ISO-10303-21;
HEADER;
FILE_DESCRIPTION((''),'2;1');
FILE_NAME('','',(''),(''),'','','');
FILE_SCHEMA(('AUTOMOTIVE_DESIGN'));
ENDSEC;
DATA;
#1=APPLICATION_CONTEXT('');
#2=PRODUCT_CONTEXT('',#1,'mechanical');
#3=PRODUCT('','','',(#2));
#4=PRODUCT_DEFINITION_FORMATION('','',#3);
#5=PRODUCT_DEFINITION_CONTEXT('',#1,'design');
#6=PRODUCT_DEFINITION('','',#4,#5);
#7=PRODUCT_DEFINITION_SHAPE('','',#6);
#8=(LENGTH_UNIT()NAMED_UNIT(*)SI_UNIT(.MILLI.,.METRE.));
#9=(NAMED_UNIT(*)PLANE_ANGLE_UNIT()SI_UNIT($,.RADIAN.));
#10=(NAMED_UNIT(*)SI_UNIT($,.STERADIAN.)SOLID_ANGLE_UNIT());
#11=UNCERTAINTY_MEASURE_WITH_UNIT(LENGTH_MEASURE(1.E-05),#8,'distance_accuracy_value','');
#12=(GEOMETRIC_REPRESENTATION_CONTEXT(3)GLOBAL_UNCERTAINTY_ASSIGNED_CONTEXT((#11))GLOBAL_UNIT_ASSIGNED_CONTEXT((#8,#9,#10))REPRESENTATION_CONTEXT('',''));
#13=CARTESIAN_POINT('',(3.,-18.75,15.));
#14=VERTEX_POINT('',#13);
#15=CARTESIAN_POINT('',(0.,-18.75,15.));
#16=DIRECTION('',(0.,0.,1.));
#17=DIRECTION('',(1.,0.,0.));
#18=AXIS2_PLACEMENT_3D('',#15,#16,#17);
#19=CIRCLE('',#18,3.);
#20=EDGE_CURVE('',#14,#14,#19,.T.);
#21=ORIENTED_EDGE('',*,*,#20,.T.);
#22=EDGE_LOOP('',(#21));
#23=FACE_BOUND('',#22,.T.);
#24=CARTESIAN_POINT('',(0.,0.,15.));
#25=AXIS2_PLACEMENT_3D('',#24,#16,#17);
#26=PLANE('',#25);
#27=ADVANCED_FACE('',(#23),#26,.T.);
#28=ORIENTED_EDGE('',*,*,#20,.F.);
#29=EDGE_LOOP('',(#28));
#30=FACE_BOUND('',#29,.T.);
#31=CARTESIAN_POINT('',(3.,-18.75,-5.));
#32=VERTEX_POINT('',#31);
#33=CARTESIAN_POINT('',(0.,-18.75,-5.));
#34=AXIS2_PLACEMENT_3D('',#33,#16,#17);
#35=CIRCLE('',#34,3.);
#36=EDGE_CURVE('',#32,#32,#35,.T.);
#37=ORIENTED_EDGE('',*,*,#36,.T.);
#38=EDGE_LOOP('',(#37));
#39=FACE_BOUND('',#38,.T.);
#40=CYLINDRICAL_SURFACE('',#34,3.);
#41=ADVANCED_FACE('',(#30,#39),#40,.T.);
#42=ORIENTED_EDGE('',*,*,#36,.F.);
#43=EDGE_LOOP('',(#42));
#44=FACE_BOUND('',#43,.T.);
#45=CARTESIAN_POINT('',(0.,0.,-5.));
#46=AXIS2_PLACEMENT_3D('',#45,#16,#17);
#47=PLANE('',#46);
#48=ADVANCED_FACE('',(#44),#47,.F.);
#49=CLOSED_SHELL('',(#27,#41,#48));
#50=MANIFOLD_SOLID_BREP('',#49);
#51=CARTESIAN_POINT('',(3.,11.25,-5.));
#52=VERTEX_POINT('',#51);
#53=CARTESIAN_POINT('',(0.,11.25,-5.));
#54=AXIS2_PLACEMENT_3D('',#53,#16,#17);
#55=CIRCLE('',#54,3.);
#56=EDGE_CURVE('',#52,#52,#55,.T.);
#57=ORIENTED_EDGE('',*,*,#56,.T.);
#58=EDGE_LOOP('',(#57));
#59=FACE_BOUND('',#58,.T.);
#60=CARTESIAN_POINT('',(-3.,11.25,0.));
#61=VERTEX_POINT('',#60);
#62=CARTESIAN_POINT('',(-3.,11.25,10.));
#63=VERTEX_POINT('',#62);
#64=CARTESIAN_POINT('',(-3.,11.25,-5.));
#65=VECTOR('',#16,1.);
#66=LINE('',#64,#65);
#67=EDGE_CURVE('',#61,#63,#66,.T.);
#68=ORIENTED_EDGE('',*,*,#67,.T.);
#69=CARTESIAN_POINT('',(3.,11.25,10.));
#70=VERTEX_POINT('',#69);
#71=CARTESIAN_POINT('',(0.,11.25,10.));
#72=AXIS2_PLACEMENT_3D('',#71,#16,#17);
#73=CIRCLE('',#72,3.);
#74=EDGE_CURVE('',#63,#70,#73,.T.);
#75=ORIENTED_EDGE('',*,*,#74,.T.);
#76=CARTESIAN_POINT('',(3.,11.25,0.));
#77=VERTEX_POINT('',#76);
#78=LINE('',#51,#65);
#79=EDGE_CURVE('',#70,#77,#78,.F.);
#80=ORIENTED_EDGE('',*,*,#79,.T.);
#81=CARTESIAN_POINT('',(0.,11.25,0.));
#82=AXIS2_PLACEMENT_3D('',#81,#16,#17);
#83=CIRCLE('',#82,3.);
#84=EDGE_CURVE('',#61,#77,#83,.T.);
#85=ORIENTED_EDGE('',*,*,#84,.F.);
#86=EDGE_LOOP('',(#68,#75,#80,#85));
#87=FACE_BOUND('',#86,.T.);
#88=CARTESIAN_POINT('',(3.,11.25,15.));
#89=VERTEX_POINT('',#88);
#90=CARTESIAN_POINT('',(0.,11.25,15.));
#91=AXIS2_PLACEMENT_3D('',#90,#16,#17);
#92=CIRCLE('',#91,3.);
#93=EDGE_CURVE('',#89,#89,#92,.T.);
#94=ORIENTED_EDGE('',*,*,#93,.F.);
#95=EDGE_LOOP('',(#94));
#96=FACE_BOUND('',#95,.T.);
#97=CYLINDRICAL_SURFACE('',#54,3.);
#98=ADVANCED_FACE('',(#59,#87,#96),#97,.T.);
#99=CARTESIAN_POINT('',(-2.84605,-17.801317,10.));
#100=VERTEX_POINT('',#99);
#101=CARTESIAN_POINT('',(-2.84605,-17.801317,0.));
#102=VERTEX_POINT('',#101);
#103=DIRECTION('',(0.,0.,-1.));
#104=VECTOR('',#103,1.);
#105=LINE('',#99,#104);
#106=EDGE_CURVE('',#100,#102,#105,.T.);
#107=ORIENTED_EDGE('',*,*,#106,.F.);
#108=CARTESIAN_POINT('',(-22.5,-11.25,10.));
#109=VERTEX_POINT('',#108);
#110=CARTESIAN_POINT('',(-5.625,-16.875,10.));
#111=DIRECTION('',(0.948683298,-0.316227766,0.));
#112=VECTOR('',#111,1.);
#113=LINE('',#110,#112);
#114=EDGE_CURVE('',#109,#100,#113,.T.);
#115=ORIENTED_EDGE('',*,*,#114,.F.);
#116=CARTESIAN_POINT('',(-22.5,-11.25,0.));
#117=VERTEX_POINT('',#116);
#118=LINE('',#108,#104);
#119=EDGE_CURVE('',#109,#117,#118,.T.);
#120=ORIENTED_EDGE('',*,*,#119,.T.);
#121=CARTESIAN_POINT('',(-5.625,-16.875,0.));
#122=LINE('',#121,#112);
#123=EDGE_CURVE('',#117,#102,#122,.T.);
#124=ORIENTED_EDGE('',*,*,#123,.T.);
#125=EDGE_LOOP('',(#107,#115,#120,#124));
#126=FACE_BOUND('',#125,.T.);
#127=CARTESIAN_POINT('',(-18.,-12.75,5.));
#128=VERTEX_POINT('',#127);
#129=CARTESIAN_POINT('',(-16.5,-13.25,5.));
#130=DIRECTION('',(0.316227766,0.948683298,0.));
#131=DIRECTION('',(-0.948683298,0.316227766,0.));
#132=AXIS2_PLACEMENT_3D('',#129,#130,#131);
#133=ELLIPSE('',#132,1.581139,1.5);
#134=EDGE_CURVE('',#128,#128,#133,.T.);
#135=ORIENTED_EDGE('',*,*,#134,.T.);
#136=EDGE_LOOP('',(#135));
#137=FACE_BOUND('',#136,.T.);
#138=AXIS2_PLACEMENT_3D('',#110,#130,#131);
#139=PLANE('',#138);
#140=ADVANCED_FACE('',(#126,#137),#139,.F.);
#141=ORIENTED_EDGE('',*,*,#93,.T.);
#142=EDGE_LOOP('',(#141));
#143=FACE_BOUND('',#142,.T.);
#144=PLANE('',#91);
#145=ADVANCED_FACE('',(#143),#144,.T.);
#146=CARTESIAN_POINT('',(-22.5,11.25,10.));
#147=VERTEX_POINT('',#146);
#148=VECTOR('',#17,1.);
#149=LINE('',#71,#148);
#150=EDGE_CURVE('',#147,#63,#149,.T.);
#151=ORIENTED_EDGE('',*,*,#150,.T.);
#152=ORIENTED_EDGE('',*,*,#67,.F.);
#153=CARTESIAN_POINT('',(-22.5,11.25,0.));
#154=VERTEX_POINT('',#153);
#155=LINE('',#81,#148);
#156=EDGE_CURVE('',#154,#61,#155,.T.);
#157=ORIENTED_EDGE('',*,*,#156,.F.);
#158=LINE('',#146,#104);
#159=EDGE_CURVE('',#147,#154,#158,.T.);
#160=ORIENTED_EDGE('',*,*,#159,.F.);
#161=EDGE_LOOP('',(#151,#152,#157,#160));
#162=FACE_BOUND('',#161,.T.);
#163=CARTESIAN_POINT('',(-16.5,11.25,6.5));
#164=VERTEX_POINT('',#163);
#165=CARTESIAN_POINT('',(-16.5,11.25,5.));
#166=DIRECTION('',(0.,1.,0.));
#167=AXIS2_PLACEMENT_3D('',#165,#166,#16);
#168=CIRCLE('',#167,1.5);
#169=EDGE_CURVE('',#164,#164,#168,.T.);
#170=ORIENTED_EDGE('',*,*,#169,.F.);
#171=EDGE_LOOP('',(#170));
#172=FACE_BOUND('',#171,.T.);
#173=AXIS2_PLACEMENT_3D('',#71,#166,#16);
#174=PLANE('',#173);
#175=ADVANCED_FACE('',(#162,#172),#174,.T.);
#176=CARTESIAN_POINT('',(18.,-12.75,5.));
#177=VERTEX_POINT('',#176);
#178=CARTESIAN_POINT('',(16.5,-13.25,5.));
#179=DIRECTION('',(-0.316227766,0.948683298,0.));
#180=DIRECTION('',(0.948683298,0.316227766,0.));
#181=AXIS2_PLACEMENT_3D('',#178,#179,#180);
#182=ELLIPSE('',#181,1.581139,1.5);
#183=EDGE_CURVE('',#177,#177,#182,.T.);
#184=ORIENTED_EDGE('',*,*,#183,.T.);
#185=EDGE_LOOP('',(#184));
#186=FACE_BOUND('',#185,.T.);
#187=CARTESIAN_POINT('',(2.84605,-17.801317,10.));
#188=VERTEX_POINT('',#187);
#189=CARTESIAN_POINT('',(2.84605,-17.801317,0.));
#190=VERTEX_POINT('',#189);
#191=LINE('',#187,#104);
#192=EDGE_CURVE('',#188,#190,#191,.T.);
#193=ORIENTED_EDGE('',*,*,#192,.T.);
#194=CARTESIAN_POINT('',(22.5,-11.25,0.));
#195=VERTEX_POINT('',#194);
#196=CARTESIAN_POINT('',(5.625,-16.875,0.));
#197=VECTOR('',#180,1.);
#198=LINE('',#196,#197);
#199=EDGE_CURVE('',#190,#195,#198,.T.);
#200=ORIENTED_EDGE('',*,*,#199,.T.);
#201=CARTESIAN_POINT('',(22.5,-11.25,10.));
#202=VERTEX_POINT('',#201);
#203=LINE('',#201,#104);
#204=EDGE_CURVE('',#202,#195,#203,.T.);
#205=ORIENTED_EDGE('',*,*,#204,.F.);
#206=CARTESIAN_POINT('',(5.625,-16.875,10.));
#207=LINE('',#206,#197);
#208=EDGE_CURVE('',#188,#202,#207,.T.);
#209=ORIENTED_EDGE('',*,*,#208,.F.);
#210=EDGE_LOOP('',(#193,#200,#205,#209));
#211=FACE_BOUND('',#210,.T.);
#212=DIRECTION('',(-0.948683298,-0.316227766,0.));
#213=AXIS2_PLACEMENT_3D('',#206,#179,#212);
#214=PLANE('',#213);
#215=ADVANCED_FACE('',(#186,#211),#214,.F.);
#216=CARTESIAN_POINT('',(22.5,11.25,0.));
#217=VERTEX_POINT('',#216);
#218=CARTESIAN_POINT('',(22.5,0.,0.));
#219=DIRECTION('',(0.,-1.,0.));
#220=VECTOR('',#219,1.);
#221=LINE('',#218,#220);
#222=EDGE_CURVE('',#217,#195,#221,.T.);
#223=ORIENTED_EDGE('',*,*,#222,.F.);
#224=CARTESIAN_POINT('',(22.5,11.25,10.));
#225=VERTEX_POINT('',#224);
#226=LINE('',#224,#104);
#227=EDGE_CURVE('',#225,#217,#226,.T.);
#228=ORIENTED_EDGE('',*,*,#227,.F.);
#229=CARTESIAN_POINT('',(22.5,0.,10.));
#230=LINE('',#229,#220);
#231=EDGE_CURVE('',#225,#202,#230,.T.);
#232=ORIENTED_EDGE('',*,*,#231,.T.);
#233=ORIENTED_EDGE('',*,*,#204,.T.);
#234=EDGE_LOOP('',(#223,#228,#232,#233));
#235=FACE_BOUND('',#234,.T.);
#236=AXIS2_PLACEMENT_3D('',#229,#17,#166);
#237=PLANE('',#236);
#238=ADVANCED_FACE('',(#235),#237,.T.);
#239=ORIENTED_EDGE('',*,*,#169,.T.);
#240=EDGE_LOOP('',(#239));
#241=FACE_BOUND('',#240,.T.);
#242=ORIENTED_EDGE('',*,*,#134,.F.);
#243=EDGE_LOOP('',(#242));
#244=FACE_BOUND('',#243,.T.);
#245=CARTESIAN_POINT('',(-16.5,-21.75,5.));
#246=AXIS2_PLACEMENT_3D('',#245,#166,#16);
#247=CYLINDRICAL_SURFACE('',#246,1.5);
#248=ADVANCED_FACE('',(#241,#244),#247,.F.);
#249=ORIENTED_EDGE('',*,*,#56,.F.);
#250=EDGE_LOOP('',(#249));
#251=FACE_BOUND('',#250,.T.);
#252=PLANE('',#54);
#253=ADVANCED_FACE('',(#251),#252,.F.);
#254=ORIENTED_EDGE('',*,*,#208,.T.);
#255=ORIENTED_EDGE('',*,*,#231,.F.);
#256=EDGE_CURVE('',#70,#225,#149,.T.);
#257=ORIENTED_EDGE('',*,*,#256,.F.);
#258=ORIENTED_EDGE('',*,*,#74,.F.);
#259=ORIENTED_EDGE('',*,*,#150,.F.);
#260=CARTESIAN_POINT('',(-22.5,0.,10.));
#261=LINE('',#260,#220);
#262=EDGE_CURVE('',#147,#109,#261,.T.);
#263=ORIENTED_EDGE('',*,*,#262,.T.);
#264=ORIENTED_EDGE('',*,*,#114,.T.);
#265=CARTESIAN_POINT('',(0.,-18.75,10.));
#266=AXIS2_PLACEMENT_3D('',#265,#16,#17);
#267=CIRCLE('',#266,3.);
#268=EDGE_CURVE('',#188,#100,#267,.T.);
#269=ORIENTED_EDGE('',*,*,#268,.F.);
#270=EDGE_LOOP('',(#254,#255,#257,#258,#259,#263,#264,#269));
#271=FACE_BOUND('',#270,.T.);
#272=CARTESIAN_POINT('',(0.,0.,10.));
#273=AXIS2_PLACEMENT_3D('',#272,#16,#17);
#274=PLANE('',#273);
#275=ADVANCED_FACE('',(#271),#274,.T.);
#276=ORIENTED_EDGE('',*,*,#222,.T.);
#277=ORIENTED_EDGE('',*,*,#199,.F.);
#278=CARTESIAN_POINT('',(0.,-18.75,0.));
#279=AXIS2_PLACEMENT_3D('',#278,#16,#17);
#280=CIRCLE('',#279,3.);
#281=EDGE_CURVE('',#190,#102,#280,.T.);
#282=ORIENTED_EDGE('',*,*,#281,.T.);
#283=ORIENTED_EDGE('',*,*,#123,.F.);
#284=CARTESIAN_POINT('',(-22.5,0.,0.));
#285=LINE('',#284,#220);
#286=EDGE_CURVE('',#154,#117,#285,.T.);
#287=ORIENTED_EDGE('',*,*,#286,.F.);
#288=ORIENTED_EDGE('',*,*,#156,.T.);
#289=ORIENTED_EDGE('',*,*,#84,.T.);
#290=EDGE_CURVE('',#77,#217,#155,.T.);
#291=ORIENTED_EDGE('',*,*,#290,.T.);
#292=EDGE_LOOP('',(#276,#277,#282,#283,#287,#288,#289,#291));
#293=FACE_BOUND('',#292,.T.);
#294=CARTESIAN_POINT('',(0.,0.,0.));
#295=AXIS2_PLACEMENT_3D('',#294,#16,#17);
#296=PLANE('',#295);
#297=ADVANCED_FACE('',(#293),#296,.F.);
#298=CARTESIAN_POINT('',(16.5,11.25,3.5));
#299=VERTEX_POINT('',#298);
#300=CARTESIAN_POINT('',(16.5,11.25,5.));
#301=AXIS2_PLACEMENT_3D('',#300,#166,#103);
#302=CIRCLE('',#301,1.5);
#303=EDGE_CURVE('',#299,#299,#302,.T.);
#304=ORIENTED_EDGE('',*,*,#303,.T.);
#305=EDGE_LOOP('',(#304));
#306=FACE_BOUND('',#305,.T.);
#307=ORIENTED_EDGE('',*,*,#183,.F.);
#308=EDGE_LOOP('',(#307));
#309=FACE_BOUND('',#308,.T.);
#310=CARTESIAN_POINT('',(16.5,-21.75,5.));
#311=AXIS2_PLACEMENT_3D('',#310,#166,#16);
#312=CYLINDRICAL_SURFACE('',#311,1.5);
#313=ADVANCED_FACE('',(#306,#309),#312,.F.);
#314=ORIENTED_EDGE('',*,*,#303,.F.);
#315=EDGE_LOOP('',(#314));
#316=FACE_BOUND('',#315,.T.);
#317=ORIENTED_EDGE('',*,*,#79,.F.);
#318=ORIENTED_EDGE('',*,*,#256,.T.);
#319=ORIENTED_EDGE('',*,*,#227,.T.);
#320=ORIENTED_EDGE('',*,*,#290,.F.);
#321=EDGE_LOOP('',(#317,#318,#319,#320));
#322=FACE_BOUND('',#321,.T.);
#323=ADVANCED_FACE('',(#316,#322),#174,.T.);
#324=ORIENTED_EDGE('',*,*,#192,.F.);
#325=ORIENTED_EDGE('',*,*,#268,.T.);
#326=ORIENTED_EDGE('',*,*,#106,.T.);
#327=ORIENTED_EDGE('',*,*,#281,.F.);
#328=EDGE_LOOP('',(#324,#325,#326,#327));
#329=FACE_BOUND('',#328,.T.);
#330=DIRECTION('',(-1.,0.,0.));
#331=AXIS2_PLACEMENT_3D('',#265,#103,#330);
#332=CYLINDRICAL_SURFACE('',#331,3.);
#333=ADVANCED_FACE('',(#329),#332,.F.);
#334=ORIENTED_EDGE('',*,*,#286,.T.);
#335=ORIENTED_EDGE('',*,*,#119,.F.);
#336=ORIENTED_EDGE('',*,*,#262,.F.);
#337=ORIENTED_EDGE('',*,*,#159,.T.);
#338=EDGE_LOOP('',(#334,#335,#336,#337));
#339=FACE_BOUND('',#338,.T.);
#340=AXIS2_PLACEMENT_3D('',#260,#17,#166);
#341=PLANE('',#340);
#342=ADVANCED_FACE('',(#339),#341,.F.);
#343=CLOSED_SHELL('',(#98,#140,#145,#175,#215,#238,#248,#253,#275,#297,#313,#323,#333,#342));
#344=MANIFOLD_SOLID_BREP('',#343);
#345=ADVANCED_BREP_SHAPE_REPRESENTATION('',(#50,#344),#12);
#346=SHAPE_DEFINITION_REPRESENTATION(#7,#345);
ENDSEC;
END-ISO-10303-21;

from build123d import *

# Parameters (mm, degrees)
BOSS_EXTRUDE1_DEPTH      = 10
BOSS_EXTRUDE2_DEPTH      = 15
BOSS_EXTRUDE2_DEPTH_BACK = 5
SKETCH1_3_R              = 3
SKETCH2_R                = 1.5
CUT_EXTRUDE1_DEPTH       = 43.66438796
BOSS_EXTRUDE3_DEPTH      = 5
BOSS_EXTRUDE3_DEPTH_BACK = 15
SKETCH3_R                = 3


with BuildPart() as part:
    # Sketch1 → Boss-Extrude1 (new body)
    with BuildSketch(Plane.XY):
        with BuildLine():
            ThreePointArc((-2.846049894, -17.801316702), (0, -15.75), (2.846049894, -17.801316702))
            Line((2.846049894, -17.801316702), (22.5, -11.25))
            Line((22.5, -11.25), (22.5, 11.25))
            Line((22.5, 11.25), (-22.5, 11.25))
            Line((-22.5, 11.25), (-22.5, -11.25))
            Line((-22.5, -11.25), (-2.846049894, -17.801316702))
        make_face()
    extrude(amount=BOSS_EXTRUDE1_DEPTH)

    # Sketch2 → Cut-Extrude1 (cut, through all)
    with BuildSketch(Plane(origin=(0, 11.25, 0), x_dir=(1, 0, 0), z_dir=(0, 1, 0))):
        with Locations((-16.5, -5)):
            Circle(SKETCH2_R)
        with Locations((16.5, -5)):
            Circle(SKETCH2_R)
    extrude(amount=-CUT_EXTRUDE1_DEPTH, mode=Mode.SUBTRACT)

    # Sketch3 → Boss-Extrude3 (add, two sides: drawn at the far end of the back side and taken through both)
    with BuildSketch(Plane.XY.offset(10).offset(-BOSS_EXTRUDE3_DEPTH_BACK)):
        with Locations((0, 11.25)):
            Circle(SKETCH3_R)
    extrude(amount=BOSS_EXTRUDE3_DEPTH + BOSS_EXTRUDE3_DEPTH_BACK)


with BuildPart() as body_2:
    # Sketch1<3> → Boss-Extrude2 (new, two sides: drawn at the far end of the back side and taken through both)
    with BuildSketch(Plane.XY.offset(-BOSS_EXTRUDE2_DEPTH_BACK)):
        with Locations((0, -18.75)):
            Circle(SKETCH1_3_R)
    extrude(amount=BOSS_EXTRUDE2_DEPTH + BOSS_EXTRUDE2_DEPTH_BACK)


solid = Compound([part.part, body_2.part])
